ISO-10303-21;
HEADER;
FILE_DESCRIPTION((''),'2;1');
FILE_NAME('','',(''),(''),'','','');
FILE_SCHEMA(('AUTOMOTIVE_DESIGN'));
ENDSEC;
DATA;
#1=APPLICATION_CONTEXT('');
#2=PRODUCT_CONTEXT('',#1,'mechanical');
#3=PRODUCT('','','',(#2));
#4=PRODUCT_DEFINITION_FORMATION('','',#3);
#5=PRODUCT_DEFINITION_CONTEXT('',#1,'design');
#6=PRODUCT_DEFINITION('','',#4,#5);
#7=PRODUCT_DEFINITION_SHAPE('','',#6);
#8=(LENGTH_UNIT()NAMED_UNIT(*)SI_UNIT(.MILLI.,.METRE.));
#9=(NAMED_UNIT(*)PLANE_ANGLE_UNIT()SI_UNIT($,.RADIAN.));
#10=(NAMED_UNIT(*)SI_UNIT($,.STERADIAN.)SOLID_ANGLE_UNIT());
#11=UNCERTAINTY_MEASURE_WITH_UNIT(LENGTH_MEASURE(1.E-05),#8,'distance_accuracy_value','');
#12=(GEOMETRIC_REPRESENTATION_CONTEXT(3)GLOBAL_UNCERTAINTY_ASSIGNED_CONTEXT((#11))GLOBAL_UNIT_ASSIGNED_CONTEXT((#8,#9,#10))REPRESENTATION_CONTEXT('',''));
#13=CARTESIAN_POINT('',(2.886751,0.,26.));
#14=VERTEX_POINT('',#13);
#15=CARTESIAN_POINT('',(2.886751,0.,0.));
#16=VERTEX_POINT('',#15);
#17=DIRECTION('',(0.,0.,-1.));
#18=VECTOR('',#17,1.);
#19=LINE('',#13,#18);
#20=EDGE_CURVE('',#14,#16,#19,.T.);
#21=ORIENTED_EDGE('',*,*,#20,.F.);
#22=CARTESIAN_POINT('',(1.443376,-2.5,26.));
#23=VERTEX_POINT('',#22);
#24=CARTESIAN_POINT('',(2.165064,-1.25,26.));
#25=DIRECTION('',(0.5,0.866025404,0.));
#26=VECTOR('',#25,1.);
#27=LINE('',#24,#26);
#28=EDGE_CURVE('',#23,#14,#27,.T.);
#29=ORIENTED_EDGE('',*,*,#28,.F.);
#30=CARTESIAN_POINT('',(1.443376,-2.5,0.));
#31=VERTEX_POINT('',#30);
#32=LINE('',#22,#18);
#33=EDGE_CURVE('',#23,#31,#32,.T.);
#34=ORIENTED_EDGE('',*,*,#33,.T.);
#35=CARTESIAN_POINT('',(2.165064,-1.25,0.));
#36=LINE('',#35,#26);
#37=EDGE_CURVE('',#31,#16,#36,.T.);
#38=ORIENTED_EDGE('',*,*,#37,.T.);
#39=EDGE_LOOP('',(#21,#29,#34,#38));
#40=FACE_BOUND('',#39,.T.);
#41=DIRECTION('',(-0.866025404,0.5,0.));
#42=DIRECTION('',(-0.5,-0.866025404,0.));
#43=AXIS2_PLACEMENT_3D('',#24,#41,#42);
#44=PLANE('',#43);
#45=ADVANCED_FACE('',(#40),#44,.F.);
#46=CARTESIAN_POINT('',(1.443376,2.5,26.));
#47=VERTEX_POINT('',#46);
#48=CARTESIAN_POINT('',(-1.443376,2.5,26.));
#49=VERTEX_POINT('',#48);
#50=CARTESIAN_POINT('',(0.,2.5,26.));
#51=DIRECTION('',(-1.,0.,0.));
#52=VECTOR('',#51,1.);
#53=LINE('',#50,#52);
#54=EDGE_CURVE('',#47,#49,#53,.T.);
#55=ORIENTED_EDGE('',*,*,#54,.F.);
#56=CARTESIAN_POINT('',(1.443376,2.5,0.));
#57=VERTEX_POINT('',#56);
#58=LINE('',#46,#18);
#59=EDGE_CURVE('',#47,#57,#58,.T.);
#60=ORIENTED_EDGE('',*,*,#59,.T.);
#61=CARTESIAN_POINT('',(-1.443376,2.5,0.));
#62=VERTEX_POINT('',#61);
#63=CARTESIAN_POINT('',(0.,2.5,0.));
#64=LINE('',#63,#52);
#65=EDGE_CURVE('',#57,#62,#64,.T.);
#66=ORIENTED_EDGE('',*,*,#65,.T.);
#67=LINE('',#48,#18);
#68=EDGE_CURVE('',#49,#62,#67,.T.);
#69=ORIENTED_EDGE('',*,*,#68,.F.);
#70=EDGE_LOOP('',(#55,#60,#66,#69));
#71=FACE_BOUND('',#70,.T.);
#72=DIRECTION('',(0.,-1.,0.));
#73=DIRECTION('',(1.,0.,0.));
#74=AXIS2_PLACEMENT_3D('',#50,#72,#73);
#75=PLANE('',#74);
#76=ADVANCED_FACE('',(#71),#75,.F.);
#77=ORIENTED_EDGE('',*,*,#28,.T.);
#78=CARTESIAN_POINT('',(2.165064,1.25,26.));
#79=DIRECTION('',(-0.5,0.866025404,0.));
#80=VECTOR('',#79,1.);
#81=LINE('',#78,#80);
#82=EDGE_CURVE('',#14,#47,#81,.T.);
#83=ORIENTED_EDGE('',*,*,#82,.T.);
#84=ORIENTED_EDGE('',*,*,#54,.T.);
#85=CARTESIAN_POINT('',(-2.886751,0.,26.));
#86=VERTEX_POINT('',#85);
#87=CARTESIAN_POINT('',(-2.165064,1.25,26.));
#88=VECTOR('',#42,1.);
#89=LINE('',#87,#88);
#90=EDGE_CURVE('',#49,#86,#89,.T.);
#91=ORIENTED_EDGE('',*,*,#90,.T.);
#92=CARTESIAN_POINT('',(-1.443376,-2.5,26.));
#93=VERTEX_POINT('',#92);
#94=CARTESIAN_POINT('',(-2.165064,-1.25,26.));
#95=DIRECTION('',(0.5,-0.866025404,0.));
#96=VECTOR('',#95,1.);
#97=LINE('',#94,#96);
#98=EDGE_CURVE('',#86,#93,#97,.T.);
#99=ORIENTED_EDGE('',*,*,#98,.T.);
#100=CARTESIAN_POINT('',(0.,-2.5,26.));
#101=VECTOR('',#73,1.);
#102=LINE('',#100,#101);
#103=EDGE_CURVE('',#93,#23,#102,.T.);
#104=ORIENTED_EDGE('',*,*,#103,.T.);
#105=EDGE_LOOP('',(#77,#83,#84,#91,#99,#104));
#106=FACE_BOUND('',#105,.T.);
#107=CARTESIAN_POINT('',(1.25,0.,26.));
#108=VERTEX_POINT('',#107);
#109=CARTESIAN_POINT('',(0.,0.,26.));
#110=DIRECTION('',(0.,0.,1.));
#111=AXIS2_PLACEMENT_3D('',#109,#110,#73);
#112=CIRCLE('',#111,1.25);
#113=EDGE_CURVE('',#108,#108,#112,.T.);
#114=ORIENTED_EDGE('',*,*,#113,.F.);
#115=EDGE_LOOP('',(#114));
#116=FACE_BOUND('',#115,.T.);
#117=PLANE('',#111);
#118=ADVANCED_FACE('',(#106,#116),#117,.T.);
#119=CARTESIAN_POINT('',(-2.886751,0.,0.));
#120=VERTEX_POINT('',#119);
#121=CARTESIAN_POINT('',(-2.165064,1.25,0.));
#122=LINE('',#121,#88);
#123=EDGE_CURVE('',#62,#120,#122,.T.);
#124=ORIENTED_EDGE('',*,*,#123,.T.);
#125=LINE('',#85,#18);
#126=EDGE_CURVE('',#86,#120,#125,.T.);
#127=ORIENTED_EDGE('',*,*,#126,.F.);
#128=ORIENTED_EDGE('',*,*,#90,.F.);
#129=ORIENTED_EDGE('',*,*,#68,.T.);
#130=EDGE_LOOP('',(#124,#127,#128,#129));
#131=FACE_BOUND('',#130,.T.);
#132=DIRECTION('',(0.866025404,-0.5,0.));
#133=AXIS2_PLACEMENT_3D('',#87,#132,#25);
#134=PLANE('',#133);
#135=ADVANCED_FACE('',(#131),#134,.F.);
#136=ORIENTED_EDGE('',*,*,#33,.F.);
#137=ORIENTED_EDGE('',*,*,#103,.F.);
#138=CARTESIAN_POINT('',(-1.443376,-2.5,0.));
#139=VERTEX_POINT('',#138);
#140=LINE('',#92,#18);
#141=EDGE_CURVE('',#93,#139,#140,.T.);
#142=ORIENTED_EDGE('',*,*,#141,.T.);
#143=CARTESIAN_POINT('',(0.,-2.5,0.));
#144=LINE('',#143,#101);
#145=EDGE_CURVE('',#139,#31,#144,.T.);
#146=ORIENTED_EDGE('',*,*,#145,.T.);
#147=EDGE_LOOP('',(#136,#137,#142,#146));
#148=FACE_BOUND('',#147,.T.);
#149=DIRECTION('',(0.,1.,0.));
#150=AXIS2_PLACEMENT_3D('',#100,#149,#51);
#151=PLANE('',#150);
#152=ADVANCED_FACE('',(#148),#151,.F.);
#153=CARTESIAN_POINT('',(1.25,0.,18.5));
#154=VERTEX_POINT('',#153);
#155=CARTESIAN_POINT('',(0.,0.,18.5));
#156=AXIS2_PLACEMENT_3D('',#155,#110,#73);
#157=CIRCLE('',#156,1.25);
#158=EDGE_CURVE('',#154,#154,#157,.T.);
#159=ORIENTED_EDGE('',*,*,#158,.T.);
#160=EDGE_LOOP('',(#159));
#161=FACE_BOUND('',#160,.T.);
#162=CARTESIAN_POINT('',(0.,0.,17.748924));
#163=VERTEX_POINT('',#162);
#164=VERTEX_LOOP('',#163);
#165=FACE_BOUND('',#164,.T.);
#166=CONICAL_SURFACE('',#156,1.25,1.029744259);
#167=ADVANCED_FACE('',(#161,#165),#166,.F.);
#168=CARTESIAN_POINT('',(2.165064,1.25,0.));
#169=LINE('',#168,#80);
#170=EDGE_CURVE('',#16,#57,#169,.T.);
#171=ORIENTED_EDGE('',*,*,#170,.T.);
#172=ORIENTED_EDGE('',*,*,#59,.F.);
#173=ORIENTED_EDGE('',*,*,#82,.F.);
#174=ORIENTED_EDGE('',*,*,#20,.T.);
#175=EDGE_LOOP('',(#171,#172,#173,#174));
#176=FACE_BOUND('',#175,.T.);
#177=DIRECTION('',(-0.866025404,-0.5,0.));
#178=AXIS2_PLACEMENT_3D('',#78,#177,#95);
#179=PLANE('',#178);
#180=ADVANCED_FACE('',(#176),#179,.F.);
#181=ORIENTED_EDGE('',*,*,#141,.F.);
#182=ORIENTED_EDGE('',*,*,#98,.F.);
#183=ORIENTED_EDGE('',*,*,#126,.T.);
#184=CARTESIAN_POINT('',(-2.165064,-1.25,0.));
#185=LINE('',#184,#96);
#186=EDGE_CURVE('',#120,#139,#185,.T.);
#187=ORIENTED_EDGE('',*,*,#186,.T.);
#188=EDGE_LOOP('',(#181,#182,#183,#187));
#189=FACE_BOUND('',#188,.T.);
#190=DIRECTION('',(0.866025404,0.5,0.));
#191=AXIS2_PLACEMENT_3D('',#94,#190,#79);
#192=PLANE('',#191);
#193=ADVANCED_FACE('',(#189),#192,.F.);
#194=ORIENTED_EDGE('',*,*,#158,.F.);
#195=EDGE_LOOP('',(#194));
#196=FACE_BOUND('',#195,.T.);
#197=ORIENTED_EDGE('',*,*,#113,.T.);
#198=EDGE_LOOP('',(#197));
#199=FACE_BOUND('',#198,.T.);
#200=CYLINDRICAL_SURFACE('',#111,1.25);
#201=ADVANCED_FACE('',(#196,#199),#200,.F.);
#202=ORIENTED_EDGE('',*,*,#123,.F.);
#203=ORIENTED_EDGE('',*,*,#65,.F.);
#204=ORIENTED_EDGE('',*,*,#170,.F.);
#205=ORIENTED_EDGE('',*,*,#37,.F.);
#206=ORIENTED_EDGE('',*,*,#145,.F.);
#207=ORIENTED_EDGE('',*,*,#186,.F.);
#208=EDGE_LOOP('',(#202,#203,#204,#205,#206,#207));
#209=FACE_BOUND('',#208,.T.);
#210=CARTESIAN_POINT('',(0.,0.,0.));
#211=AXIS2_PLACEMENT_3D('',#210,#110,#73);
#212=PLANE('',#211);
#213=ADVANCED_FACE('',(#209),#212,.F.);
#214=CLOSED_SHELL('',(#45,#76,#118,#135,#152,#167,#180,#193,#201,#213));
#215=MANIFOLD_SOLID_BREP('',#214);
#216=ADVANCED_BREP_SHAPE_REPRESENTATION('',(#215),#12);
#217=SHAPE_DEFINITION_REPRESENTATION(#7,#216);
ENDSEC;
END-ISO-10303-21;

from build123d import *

# Parameters (mm, degrees)
SKETCH_1_R             = 1.5
EXTRUDE_1_DEPTH        = 26
HOLE_WIZARD_M3_1_D     = 2.5
HOLE_WIZARD_M3_1_DEPTH = 7.5
HOLE_WIZARD_M3_1_TIP   = 0.751075774


with BuildPart() as part:
    # 草图1 → 凸台-拉伸1 (new body)
    # profile 1 of 2: a face of its own
    with BuildSketch(Plane.XY):
        Polygon((-1.443375673, -2.5), (1.443375673, -2.5), (2.886751346, 0), (1.443375673, 2.5), (-1.443375673, 2.5), (-2.886751346, 0), align=None)
        Circle(SKETCH_1_R, mode=Mode.SUBTRACT)
    # profile 2 of 2: a face of its own
    with BuildSketch(Plane.XY):
        Circle(SKETCH_1_R)
    extrude(amount=EXTRUDE_1_DEPTH)

    # M3 螺纹孔1
    with Locations(Plane.XY.offset(26)):
        with Locations((0, 0)):
            Hole(HOLE_WIZARD_M3_1_D / 2, depth=HOLE_WIZARD_M3_1_DEPTH)
            with Locations((0, 0, -(HOLE_WIZARD_M3_1_DEPTH + HOLE_WIZARD_M3_1_TIP / 2))):  # 118° drill point
                Cone(0, HOLE_WIZARD_M3_1_D / 2, HOLE_WIZARD_M3_1_TIP, mode=Mode.SUBTRACT)


solid = part.part
